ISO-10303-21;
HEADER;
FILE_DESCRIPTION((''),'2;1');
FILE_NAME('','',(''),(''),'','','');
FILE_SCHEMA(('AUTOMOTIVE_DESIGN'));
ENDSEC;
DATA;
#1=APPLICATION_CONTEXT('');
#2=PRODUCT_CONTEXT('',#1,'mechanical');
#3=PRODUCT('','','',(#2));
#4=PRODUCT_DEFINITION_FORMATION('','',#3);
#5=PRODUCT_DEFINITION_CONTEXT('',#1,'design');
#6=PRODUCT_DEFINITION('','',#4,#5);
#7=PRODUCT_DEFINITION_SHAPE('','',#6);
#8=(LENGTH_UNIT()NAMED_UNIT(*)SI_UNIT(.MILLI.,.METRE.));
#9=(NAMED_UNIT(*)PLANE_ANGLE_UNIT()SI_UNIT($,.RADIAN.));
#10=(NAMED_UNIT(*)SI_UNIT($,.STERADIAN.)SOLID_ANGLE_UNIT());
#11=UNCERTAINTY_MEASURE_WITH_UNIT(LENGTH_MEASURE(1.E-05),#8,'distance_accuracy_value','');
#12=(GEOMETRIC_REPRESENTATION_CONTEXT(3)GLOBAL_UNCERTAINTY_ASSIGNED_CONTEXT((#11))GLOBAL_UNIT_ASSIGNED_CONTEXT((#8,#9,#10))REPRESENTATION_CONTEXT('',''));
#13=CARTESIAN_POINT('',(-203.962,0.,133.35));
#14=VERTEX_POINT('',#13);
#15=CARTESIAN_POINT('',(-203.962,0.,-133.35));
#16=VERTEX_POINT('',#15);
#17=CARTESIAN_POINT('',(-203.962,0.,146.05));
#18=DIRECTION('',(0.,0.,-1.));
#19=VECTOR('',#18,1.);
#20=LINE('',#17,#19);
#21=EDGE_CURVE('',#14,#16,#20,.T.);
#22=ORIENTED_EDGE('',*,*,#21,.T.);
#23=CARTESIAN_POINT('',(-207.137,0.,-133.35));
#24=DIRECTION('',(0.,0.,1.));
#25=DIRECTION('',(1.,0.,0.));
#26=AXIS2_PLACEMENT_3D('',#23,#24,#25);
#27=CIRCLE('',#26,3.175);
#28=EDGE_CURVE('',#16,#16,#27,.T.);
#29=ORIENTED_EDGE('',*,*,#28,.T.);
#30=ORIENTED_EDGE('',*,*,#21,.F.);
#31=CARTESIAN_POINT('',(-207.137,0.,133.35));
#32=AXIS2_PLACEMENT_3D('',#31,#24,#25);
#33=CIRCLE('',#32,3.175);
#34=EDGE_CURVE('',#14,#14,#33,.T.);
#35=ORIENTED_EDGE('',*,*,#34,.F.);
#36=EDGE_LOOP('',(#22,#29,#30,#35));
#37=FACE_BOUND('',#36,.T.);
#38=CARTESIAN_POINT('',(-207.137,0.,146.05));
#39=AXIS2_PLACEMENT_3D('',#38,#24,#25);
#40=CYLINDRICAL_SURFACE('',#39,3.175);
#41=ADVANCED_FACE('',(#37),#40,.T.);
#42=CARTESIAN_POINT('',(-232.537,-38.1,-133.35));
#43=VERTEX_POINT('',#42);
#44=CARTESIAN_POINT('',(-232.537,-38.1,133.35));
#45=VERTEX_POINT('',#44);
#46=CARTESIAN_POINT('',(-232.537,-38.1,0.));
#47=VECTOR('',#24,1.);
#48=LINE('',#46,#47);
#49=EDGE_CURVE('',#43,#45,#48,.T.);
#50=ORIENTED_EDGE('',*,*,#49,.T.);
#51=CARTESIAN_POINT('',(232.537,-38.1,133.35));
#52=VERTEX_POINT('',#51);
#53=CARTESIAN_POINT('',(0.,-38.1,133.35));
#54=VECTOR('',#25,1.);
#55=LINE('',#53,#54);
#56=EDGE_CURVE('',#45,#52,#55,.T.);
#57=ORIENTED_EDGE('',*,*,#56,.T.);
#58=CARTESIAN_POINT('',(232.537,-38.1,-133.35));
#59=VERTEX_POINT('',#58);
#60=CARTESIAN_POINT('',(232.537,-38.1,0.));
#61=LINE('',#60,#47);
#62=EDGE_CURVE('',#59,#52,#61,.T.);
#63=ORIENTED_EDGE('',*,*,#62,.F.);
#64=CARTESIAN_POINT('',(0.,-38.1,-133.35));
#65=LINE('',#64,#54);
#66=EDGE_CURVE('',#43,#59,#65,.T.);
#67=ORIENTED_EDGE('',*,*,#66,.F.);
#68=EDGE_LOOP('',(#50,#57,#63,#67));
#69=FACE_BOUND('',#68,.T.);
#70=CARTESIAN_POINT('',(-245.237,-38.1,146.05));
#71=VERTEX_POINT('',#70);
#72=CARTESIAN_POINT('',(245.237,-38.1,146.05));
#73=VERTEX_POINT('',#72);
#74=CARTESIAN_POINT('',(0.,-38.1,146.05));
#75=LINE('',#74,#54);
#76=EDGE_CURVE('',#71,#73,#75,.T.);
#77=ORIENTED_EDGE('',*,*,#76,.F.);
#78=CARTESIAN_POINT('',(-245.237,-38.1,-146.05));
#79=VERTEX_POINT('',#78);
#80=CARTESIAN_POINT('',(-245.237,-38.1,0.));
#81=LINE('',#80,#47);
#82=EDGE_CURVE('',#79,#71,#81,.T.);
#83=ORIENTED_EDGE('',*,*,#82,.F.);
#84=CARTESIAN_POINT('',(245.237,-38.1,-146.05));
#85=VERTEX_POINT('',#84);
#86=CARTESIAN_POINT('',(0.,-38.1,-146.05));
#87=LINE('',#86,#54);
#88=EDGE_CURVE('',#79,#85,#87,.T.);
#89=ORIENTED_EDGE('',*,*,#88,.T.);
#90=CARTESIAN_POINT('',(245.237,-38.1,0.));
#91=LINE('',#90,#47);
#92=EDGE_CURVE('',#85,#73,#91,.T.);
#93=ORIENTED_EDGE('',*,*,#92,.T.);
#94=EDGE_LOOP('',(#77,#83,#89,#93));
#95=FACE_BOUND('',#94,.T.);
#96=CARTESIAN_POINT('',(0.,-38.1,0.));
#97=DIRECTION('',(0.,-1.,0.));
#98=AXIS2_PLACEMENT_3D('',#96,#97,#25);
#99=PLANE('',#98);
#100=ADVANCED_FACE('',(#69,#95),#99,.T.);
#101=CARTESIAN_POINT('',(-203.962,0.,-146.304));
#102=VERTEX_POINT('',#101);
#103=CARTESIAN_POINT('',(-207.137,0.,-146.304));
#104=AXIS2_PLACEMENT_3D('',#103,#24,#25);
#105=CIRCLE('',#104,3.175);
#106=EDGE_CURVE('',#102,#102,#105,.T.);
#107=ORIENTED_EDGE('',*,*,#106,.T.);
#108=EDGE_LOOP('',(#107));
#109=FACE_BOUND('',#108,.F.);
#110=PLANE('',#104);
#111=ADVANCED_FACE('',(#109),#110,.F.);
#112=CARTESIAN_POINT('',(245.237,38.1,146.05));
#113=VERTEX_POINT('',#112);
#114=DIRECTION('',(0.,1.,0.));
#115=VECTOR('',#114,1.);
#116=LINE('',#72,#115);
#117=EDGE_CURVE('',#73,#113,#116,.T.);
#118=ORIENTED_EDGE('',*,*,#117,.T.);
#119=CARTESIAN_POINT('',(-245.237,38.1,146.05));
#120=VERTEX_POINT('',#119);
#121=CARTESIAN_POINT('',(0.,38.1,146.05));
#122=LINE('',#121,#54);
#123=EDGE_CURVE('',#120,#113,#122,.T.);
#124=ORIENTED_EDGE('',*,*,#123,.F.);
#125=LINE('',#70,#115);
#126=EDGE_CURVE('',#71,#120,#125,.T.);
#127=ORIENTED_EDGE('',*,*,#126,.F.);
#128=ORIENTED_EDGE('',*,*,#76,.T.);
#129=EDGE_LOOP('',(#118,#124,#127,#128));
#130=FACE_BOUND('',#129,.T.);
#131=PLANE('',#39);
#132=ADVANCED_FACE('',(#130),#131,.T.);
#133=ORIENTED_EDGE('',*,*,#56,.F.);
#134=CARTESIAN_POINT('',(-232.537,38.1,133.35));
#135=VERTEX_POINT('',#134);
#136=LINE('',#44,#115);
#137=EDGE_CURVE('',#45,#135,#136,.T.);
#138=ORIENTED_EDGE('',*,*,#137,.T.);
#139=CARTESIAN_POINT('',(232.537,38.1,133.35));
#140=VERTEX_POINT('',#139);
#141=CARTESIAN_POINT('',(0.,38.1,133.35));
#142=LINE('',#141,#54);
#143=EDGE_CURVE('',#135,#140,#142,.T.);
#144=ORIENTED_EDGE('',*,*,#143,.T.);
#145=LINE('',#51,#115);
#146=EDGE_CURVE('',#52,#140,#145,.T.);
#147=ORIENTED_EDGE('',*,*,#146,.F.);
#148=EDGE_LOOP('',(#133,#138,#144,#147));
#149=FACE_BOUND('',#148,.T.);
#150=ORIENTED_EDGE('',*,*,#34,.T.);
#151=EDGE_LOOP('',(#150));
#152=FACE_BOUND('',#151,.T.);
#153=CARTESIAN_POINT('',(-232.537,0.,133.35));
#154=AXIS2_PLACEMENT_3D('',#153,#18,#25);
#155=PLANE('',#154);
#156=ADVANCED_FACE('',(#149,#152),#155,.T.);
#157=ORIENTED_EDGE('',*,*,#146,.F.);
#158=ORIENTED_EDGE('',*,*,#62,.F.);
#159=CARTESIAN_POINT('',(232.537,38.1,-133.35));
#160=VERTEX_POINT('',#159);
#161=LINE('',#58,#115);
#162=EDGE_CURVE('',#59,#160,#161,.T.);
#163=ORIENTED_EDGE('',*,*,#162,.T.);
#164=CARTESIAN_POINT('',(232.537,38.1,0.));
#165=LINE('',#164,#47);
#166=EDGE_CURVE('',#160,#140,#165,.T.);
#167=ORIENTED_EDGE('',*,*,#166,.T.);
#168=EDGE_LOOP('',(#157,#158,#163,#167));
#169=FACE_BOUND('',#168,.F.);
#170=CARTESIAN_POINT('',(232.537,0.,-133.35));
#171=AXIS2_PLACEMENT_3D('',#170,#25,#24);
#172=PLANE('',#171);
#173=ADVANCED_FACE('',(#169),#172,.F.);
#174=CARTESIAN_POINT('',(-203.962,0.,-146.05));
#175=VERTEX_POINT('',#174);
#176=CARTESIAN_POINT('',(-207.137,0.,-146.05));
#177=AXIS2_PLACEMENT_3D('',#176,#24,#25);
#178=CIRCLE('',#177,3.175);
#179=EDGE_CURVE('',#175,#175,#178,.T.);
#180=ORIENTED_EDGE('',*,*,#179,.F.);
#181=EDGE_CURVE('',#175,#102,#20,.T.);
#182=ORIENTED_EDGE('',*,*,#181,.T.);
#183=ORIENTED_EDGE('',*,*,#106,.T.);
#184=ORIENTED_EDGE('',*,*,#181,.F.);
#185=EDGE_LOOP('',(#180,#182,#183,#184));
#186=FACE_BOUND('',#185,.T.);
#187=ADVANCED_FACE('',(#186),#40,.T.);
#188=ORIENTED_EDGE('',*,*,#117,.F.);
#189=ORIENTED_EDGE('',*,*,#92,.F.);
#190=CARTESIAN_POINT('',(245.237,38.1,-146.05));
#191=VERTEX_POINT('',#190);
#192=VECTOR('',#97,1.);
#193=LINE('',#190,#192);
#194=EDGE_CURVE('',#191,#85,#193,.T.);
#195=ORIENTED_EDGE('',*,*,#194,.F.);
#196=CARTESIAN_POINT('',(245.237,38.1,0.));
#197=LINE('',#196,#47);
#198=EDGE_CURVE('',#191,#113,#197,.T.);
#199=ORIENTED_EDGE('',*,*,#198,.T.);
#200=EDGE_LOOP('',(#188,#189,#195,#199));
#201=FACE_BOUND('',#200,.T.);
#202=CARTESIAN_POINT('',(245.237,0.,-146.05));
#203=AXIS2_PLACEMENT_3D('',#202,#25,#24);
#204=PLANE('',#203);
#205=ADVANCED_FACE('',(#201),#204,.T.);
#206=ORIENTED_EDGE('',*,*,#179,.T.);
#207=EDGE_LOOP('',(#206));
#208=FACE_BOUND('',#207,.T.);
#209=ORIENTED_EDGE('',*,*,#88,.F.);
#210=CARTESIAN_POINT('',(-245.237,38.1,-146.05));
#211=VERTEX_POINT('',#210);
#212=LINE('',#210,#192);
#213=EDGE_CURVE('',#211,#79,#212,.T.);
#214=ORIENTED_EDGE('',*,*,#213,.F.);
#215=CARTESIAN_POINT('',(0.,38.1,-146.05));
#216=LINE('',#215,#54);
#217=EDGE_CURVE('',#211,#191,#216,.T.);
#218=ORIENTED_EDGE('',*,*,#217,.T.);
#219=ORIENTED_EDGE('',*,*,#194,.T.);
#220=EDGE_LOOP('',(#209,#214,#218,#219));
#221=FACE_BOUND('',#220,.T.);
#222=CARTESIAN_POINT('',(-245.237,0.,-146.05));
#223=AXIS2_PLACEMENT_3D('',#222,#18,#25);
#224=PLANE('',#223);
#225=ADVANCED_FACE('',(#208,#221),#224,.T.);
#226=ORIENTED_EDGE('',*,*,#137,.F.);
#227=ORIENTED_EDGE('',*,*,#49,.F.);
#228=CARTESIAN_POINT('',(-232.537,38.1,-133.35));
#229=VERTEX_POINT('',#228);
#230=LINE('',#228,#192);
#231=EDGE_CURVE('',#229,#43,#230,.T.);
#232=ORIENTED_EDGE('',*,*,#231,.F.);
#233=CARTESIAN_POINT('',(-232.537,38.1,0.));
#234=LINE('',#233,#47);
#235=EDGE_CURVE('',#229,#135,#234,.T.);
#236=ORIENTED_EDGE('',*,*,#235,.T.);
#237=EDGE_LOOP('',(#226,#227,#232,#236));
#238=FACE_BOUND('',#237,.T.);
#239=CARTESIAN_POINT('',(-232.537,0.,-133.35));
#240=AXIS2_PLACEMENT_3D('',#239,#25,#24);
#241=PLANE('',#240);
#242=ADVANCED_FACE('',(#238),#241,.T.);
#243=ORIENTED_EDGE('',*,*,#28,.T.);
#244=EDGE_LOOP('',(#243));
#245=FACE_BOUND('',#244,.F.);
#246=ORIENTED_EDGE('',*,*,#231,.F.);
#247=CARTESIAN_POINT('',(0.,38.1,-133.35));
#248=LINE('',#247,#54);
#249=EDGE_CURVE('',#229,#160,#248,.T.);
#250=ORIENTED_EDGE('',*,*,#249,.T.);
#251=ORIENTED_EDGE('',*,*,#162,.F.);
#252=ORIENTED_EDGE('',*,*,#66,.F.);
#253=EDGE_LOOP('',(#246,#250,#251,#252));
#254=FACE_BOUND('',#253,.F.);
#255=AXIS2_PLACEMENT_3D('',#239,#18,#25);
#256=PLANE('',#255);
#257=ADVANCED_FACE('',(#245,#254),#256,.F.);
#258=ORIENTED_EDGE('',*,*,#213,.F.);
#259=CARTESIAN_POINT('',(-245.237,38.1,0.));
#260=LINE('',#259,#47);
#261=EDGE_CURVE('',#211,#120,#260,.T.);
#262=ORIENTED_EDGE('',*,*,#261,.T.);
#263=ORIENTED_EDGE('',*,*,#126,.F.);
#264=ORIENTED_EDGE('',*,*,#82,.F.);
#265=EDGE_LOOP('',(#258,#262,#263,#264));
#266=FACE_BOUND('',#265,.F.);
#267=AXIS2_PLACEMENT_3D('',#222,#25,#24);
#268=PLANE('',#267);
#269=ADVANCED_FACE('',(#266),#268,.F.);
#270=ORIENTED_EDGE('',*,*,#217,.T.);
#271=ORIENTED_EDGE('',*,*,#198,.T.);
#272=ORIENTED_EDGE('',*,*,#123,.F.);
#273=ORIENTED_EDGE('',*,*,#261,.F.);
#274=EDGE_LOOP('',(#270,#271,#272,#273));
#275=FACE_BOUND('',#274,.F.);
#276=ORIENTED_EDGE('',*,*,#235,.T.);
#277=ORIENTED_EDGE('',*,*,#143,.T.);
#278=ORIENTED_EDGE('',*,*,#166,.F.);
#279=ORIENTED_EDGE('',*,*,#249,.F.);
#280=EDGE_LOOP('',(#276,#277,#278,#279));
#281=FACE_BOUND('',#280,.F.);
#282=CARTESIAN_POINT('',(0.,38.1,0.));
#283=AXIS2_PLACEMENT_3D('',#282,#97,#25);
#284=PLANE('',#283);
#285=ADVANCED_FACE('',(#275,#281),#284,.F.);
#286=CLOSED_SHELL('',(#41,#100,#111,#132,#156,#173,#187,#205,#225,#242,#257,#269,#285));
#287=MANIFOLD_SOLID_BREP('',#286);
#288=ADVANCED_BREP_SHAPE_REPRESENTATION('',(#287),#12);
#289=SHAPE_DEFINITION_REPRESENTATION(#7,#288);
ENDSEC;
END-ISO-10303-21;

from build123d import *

# Parameters (mm, degrees)
F0_W     = 490.474
F0_H     = 292.1
F0_W_2   = 465.074
F0_H_2   = 266.7
F1_DEPTH = 38.1
F2_R     = 3.175
F3_DEPTH = 292.354


with BuildPart() as f1:
    # F0 (on Front) → F1 (new body, symmetric)
    with BuildSketch(Plane.XZ):
        Rectangle(F0_W, F0_H)
        Rectangle(F0_W_2, F0_H_2, mode=Mode.SUBTRACT)
    extrude(amount=F1_DEPTH, both=True)

    # F2 (on face) → F3 (join)
    with BuildSketch(Plane.XY.offset(146.05)):
        with Locations((-207.137, 0)):
            Circle(F2_R)
    extrude(amount=-F3_DEPTH)


solid = f1.part
